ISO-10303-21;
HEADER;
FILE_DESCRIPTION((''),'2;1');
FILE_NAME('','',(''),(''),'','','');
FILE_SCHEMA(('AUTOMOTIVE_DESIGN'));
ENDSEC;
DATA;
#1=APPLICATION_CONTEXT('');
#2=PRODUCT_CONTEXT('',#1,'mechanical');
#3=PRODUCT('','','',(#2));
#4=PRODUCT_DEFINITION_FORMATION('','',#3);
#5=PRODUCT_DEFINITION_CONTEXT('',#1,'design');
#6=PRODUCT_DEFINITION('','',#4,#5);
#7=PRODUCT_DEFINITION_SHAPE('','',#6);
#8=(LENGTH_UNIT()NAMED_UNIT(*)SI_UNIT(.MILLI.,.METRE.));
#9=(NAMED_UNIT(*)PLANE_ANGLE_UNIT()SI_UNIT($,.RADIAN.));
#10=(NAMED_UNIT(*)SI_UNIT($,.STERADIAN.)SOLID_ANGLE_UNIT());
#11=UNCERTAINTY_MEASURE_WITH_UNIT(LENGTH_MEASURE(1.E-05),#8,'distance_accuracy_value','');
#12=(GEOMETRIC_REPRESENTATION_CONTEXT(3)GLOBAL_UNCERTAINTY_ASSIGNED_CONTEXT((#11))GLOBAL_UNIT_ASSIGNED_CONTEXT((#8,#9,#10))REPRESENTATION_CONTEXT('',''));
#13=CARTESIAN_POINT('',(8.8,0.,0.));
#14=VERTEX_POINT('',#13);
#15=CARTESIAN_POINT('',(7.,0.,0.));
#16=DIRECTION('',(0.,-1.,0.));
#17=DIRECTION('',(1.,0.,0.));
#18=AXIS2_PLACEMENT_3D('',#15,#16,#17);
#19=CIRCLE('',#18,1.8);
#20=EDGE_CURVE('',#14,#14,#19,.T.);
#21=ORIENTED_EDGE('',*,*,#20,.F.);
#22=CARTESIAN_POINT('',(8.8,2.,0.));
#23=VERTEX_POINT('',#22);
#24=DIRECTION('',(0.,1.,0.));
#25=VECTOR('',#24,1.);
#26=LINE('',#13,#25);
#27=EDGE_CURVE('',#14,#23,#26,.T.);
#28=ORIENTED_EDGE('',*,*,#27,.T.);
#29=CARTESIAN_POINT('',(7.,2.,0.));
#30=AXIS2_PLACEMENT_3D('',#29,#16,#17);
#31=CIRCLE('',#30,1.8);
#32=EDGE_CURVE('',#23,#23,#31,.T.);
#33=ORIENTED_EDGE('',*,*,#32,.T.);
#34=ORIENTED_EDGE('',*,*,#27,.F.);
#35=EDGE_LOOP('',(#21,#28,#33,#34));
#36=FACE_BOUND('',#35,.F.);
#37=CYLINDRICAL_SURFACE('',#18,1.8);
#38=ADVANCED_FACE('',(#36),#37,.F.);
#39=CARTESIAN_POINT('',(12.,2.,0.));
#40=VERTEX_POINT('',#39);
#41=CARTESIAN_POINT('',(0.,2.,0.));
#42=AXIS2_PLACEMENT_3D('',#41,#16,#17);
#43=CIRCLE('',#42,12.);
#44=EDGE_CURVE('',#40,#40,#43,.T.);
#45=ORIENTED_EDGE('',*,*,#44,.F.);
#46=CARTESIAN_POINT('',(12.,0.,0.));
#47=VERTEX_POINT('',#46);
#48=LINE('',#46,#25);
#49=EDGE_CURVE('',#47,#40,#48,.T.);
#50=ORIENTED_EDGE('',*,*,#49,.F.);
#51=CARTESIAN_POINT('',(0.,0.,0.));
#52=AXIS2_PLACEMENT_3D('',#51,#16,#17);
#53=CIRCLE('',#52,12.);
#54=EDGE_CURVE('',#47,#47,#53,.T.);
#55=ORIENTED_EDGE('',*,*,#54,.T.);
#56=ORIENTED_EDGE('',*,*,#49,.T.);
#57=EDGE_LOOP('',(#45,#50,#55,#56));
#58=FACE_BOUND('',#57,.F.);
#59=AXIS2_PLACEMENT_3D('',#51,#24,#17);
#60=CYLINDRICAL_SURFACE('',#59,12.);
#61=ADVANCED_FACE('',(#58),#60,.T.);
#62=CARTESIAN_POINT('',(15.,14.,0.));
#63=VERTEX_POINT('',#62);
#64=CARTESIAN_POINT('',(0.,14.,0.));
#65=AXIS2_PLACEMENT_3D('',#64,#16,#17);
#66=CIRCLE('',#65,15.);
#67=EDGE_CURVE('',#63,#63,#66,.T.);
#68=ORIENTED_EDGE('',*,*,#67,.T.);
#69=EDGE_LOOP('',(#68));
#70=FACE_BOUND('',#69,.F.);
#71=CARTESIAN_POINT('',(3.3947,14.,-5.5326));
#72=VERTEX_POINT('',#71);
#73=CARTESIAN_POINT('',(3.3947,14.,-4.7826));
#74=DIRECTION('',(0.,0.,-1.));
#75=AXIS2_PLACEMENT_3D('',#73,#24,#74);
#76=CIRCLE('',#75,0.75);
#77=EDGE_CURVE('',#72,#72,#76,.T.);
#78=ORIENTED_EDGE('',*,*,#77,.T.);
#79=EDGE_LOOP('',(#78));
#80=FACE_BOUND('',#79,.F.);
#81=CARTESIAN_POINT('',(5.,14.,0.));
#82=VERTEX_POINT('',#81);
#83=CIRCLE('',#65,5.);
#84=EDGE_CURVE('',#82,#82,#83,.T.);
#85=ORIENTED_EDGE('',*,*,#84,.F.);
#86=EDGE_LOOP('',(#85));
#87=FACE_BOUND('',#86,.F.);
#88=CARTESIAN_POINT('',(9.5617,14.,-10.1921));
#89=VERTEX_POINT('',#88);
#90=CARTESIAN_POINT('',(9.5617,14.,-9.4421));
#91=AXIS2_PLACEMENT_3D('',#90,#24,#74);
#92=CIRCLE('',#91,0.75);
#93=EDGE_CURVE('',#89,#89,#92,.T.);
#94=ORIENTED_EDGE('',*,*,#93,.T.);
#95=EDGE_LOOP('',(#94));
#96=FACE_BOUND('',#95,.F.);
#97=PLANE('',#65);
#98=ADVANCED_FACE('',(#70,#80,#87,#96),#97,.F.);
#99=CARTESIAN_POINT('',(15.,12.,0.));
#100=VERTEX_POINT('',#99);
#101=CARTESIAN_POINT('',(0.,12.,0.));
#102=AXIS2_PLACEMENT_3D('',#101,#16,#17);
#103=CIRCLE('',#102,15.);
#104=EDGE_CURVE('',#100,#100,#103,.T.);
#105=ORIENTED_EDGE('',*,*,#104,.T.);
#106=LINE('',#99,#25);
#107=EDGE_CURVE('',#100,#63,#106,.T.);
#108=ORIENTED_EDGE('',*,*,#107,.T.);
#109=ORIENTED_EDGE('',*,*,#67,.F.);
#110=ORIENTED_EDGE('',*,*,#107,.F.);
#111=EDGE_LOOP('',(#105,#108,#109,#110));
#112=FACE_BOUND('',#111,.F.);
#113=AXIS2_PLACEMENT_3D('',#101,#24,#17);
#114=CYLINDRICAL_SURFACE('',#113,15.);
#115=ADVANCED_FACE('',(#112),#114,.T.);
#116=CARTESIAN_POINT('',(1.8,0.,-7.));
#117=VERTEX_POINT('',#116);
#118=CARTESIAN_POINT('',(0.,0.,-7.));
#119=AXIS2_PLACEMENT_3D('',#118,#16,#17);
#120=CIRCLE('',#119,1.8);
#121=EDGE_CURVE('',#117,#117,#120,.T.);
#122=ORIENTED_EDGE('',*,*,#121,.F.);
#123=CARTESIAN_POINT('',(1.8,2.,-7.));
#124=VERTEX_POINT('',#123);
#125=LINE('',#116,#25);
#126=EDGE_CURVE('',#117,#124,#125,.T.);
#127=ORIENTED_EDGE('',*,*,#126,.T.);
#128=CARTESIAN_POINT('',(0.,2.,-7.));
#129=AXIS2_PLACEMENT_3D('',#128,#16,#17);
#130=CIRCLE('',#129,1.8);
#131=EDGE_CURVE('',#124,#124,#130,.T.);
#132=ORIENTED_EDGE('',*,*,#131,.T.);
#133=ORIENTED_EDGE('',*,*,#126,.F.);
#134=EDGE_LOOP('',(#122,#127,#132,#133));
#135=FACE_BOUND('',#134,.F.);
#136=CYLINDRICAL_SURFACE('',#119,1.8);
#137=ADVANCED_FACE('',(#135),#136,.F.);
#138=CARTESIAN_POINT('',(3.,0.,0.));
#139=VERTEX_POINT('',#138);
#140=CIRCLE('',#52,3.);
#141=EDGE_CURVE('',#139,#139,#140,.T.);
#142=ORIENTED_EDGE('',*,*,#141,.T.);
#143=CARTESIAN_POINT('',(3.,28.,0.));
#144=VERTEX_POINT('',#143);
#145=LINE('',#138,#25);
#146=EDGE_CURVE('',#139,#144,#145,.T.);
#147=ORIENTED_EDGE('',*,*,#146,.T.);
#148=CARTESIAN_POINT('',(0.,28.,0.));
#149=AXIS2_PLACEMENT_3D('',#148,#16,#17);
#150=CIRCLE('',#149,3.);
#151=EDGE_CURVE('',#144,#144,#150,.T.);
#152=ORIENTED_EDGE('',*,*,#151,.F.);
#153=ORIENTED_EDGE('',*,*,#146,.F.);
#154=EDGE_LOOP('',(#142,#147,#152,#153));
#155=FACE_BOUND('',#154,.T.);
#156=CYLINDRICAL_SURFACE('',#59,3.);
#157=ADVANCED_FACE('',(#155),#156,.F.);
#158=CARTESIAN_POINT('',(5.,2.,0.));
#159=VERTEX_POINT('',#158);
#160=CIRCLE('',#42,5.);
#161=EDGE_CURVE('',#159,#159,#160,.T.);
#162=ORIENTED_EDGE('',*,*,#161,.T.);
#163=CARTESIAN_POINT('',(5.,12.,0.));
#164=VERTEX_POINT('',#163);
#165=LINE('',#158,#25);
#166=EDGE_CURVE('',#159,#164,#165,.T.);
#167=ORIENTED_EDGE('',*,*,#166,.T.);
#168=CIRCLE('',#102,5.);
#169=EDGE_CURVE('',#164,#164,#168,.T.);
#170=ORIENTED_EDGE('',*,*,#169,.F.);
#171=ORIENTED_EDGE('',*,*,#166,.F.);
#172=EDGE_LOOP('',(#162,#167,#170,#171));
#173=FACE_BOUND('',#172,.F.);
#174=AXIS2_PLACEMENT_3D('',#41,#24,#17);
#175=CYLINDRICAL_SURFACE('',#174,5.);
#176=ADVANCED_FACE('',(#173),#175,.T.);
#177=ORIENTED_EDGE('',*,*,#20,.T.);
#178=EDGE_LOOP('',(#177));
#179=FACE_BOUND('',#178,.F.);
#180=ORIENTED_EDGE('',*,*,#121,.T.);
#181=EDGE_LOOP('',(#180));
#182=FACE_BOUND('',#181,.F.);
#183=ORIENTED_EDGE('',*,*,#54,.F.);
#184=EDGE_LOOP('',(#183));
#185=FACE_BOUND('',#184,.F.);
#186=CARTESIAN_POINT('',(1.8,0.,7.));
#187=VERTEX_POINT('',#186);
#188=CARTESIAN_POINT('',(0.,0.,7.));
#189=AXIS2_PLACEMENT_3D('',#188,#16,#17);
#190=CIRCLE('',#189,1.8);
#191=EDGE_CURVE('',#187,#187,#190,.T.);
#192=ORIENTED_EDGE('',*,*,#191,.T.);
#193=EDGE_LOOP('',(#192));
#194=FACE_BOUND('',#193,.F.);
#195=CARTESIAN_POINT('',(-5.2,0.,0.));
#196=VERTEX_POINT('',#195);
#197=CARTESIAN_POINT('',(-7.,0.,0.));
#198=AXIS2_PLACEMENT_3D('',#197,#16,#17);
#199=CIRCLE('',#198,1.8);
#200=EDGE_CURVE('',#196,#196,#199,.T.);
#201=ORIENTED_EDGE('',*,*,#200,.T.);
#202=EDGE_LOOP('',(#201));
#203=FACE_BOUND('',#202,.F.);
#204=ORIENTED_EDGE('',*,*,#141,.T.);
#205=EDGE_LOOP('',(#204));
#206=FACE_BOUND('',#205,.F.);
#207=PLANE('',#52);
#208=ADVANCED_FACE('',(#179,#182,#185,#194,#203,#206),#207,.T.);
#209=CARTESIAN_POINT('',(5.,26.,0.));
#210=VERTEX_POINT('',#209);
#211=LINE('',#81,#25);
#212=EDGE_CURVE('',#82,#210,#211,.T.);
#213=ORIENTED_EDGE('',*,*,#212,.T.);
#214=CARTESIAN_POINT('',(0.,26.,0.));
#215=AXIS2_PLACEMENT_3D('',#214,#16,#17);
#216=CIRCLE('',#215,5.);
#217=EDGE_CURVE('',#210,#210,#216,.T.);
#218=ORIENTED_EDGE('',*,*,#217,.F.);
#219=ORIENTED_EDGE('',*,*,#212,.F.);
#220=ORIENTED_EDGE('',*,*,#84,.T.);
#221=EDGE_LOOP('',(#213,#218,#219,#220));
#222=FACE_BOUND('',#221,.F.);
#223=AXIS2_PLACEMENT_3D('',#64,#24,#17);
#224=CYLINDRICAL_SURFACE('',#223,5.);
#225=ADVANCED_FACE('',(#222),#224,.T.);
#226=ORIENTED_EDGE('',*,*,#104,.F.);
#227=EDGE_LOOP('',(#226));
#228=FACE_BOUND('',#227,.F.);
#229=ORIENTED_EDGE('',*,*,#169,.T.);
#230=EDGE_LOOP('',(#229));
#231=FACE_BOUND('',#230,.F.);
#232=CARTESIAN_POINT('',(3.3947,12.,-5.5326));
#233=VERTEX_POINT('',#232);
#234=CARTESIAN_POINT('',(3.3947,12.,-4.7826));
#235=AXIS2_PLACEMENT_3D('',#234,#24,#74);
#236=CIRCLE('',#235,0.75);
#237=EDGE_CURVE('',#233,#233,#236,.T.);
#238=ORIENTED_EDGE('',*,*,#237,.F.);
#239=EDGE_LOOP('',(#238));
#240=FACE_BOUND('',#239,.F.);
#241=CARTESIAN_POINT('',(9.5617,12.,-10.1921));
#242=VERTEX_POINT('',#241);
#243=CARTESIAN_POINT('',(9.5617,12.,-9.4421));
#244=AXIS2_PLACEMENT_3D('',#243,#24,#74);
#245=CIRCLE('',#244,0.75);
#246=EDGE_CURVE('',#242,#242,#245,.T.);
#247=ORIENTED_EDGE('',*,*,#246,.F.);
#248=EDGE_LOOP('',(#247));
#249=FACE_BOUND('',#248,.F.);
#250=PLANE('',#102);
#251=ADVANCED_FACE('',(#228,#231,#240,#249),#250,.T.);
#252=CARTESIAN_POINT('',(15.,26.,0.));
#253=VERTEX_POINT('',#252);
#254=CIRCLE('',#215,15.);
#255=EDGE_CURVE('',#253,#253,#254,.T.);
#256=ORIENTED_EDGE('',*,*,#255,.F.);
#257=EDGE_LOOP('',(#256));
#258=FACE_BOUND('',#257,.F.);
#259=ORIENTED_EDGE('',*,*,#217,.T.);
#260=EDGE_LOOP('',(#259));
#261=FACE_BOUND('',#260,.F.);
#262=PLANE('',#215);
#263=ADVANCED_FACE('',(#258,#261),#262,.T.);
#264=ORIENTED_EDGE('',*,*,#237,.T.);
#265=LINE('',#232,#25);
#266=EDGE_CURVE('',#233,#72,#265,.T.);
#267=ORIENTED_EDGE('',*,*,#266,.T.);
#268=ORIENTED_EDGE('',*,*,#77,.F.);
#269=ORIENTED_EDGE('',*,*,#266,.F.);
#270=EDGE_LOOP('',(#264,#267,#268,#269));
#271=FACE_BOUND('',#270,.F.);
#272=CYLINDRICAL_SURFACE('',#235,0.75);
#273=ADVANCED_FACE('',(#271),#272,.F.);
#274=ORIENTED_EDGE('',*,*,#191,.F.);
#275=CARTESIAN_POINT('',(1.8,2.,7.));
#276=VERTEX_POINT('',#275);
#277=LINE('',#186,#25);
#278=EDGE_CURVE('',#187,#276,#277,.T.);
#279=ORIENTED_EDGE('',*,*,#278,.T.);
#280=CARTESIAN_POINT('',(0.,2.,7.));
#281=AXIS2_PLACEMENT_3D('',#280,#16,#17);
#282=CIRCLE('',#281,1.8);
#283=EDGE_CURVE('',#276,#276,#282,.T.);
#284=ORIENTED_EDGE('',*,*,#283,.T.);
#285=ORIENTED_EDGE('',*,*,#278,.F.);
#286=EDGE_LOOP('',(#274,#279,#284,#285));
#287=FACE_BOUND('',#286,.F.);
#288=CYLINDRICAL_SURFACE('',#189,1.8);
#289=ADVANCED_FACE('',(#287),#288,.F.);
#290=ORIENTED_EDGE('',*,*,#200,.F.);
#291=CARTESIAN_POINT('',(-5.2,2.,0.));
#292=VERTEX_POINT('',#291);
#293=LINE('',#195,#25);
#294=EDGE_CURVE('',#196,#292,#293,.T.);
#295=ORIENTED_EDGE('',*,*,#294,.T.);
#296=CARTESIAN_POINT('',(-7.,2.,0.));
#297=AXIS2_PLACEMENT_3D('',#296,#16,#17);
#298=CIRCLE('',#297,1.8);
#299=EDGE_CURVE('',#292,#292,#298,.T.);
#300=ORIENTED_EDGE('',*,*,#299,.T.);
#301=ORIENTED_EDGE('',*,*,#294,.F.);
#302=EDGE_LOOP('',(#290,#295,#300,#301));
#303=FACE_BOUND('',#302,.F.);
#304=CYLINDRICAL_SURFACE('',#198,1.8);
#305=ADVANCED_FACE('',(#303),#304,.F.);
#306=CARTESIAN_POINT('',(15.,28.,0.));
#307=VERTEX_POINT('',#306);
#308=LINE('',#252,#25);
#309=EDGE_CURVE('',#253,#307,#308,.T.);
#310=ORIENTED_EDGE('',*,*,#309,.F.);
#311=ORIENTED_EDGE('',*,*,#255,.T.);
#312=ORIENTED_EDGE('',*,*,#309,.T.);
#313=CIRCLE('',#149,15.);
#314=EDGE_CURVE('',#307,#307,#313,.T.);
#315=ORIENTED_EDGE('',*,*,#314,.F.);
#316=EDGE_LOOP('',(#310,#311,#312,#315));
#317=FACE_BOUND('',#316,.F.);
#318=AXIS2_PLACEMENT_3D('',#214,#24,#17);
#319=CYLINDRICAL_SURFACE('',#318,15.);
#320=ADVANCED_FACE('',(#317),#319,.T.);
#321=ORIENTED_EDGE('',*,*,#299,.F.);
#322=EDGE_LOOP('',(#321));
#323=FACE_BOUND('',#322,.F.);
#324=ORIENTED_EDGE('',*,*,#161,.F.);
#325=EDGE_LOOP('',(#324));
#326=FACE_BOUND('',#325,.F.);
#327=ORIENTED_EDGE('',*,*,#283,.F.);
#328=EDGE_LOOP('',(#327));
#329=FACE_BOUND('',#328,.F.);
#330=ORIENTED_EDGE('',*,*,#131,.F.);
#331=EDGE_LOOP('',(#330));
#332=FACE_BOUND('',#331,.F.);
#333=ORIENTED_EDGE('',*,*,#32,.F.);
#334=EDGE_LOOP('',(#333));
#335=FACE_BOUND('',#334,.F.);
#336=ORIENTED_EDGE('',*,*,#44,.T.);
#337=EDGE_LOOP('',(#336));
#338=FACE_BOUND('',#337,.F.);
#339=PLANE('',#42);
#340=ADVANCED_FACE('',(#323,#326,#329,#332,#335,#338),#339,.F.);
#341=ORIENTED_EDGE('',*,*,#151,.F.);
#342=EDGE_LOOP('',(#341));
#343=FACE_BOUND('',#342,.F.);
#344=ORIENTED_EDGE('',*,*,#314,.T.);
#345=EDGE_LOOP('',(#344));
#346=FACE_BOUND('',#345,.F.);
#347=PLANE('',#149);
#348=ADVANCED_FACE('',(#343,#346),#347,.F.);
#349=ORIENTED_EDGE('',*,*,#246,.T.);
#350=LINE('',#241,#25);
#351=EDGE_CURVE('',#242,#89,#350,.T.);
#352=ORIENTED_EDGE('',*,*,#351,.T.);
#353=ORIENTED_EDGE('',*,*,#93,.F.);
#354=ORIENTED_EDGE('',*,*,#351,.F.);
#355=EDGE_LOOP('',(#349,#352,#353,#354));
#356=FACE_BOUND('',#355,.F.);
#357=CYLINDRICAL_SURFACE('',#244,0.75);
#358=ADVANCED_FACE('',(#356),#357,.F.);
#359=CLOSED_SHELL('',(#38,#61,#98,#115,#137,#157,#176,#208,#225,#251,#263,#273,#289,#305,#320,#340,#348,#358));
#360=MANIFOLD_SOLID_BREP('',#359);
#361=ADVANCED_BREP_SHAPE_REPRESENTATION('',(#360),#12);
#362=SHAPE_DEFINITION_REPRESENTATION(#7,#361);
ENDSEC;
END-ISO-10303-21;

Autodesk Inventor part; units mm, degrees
ref_plane "YZ Plane" through (0, 0, 0) normal (1, 0, 0) x (0, 1, 0)
ref_plane "XZ Plane" through (0, 0, 0) normal (0, 1, 0) x (-1, 0, 0)
ref_plane "XY Plane" through (0, 0, 0) normal (0, 0, 1) x (1, 0, 0)
sketch "Sketch1" plane through (0, 0, 0) normal (0, 0, 1) x (1, 0, 0)
  line L0 (0, 24) -> (0, 0)
  line L1 (3, 0) -> (3, 28)
  line L2 (3, 0) -> (12, 0)
  line L3 (12, 0) -> (12, 2)
  line L4 (12, 2) -> (5, 2)
  line L5 (5, 2) -> (5, 12)
  line L6 (5, 12) -> (15, 12)
  line L7 (15, 12) -> (15, 14)
  line L8 (15, 14) -> (5, 14)
  line L9 (5, 14) -> (5, 26)
  line L10 (5, 26) -> (15, 26)
  line L11 (15, 26) -> (15, 28)
  line L12 (15, 28) -> (3, 28)
  dimension "d1" = 6
  dimension "d2" = 9
  dimension "d3" = 2
  dimension "d4" = 7
  dimension "d5" = 2
  dimension "d6" = 10
  dimension "d7" = 2
  dimension "d8" = 2
  dimension "d9" = 28
  dimension "d10" = 12
  dimension "d11" = 10
  dimension "d17" = 26
  dimension "d18" = 2
revolve "Revolution1" add sketch "Sketch1" angle 360 about axis through (0, 24, 0) along (0, -1, 0)
sketch "Sketch2" plane through (0, 0, 0) normal (0, -1, 0) x (1, 0, 0)
  circle A0 centre (0, -7) radius 1.8
  circle A1 centre (7, 0) radius 1.8
  circle A2 centre (0, 7) radius 1.8
  circle A3 centre (-7, 0) radius 1.8
  point P0 (0, 0)
  dimension "d20" = 3.6
  dimension "d21" = 7
  dimension "d24" = 360
extrude "Extrusion1" cut sketch "Sketch2" against normal blind 2
sketch "Sketch3" plane through (0, 12, 0) normal (0, -1, 0) x (1, 0, 0)
  point P0 (0, 0)
  point P1 (3.3947, -4.7826)
hole "Hole1" at (3.3947, 12, -4.7826) direction (0, 1, 0) diameter 1.5 depth 2
sketch "Sketch4" plane through (0, 12, 0) normal (0, -1, 0) x (1, 0, 0)
  point P0 (0, 0)
  point P1 (9.5617, -9.4421)
hole "Hole2" at (9.5617, 12, -9.4421) direction (0, 1, 0) diameter 1.5 depth 2
properties part number "SpoolMk2"
